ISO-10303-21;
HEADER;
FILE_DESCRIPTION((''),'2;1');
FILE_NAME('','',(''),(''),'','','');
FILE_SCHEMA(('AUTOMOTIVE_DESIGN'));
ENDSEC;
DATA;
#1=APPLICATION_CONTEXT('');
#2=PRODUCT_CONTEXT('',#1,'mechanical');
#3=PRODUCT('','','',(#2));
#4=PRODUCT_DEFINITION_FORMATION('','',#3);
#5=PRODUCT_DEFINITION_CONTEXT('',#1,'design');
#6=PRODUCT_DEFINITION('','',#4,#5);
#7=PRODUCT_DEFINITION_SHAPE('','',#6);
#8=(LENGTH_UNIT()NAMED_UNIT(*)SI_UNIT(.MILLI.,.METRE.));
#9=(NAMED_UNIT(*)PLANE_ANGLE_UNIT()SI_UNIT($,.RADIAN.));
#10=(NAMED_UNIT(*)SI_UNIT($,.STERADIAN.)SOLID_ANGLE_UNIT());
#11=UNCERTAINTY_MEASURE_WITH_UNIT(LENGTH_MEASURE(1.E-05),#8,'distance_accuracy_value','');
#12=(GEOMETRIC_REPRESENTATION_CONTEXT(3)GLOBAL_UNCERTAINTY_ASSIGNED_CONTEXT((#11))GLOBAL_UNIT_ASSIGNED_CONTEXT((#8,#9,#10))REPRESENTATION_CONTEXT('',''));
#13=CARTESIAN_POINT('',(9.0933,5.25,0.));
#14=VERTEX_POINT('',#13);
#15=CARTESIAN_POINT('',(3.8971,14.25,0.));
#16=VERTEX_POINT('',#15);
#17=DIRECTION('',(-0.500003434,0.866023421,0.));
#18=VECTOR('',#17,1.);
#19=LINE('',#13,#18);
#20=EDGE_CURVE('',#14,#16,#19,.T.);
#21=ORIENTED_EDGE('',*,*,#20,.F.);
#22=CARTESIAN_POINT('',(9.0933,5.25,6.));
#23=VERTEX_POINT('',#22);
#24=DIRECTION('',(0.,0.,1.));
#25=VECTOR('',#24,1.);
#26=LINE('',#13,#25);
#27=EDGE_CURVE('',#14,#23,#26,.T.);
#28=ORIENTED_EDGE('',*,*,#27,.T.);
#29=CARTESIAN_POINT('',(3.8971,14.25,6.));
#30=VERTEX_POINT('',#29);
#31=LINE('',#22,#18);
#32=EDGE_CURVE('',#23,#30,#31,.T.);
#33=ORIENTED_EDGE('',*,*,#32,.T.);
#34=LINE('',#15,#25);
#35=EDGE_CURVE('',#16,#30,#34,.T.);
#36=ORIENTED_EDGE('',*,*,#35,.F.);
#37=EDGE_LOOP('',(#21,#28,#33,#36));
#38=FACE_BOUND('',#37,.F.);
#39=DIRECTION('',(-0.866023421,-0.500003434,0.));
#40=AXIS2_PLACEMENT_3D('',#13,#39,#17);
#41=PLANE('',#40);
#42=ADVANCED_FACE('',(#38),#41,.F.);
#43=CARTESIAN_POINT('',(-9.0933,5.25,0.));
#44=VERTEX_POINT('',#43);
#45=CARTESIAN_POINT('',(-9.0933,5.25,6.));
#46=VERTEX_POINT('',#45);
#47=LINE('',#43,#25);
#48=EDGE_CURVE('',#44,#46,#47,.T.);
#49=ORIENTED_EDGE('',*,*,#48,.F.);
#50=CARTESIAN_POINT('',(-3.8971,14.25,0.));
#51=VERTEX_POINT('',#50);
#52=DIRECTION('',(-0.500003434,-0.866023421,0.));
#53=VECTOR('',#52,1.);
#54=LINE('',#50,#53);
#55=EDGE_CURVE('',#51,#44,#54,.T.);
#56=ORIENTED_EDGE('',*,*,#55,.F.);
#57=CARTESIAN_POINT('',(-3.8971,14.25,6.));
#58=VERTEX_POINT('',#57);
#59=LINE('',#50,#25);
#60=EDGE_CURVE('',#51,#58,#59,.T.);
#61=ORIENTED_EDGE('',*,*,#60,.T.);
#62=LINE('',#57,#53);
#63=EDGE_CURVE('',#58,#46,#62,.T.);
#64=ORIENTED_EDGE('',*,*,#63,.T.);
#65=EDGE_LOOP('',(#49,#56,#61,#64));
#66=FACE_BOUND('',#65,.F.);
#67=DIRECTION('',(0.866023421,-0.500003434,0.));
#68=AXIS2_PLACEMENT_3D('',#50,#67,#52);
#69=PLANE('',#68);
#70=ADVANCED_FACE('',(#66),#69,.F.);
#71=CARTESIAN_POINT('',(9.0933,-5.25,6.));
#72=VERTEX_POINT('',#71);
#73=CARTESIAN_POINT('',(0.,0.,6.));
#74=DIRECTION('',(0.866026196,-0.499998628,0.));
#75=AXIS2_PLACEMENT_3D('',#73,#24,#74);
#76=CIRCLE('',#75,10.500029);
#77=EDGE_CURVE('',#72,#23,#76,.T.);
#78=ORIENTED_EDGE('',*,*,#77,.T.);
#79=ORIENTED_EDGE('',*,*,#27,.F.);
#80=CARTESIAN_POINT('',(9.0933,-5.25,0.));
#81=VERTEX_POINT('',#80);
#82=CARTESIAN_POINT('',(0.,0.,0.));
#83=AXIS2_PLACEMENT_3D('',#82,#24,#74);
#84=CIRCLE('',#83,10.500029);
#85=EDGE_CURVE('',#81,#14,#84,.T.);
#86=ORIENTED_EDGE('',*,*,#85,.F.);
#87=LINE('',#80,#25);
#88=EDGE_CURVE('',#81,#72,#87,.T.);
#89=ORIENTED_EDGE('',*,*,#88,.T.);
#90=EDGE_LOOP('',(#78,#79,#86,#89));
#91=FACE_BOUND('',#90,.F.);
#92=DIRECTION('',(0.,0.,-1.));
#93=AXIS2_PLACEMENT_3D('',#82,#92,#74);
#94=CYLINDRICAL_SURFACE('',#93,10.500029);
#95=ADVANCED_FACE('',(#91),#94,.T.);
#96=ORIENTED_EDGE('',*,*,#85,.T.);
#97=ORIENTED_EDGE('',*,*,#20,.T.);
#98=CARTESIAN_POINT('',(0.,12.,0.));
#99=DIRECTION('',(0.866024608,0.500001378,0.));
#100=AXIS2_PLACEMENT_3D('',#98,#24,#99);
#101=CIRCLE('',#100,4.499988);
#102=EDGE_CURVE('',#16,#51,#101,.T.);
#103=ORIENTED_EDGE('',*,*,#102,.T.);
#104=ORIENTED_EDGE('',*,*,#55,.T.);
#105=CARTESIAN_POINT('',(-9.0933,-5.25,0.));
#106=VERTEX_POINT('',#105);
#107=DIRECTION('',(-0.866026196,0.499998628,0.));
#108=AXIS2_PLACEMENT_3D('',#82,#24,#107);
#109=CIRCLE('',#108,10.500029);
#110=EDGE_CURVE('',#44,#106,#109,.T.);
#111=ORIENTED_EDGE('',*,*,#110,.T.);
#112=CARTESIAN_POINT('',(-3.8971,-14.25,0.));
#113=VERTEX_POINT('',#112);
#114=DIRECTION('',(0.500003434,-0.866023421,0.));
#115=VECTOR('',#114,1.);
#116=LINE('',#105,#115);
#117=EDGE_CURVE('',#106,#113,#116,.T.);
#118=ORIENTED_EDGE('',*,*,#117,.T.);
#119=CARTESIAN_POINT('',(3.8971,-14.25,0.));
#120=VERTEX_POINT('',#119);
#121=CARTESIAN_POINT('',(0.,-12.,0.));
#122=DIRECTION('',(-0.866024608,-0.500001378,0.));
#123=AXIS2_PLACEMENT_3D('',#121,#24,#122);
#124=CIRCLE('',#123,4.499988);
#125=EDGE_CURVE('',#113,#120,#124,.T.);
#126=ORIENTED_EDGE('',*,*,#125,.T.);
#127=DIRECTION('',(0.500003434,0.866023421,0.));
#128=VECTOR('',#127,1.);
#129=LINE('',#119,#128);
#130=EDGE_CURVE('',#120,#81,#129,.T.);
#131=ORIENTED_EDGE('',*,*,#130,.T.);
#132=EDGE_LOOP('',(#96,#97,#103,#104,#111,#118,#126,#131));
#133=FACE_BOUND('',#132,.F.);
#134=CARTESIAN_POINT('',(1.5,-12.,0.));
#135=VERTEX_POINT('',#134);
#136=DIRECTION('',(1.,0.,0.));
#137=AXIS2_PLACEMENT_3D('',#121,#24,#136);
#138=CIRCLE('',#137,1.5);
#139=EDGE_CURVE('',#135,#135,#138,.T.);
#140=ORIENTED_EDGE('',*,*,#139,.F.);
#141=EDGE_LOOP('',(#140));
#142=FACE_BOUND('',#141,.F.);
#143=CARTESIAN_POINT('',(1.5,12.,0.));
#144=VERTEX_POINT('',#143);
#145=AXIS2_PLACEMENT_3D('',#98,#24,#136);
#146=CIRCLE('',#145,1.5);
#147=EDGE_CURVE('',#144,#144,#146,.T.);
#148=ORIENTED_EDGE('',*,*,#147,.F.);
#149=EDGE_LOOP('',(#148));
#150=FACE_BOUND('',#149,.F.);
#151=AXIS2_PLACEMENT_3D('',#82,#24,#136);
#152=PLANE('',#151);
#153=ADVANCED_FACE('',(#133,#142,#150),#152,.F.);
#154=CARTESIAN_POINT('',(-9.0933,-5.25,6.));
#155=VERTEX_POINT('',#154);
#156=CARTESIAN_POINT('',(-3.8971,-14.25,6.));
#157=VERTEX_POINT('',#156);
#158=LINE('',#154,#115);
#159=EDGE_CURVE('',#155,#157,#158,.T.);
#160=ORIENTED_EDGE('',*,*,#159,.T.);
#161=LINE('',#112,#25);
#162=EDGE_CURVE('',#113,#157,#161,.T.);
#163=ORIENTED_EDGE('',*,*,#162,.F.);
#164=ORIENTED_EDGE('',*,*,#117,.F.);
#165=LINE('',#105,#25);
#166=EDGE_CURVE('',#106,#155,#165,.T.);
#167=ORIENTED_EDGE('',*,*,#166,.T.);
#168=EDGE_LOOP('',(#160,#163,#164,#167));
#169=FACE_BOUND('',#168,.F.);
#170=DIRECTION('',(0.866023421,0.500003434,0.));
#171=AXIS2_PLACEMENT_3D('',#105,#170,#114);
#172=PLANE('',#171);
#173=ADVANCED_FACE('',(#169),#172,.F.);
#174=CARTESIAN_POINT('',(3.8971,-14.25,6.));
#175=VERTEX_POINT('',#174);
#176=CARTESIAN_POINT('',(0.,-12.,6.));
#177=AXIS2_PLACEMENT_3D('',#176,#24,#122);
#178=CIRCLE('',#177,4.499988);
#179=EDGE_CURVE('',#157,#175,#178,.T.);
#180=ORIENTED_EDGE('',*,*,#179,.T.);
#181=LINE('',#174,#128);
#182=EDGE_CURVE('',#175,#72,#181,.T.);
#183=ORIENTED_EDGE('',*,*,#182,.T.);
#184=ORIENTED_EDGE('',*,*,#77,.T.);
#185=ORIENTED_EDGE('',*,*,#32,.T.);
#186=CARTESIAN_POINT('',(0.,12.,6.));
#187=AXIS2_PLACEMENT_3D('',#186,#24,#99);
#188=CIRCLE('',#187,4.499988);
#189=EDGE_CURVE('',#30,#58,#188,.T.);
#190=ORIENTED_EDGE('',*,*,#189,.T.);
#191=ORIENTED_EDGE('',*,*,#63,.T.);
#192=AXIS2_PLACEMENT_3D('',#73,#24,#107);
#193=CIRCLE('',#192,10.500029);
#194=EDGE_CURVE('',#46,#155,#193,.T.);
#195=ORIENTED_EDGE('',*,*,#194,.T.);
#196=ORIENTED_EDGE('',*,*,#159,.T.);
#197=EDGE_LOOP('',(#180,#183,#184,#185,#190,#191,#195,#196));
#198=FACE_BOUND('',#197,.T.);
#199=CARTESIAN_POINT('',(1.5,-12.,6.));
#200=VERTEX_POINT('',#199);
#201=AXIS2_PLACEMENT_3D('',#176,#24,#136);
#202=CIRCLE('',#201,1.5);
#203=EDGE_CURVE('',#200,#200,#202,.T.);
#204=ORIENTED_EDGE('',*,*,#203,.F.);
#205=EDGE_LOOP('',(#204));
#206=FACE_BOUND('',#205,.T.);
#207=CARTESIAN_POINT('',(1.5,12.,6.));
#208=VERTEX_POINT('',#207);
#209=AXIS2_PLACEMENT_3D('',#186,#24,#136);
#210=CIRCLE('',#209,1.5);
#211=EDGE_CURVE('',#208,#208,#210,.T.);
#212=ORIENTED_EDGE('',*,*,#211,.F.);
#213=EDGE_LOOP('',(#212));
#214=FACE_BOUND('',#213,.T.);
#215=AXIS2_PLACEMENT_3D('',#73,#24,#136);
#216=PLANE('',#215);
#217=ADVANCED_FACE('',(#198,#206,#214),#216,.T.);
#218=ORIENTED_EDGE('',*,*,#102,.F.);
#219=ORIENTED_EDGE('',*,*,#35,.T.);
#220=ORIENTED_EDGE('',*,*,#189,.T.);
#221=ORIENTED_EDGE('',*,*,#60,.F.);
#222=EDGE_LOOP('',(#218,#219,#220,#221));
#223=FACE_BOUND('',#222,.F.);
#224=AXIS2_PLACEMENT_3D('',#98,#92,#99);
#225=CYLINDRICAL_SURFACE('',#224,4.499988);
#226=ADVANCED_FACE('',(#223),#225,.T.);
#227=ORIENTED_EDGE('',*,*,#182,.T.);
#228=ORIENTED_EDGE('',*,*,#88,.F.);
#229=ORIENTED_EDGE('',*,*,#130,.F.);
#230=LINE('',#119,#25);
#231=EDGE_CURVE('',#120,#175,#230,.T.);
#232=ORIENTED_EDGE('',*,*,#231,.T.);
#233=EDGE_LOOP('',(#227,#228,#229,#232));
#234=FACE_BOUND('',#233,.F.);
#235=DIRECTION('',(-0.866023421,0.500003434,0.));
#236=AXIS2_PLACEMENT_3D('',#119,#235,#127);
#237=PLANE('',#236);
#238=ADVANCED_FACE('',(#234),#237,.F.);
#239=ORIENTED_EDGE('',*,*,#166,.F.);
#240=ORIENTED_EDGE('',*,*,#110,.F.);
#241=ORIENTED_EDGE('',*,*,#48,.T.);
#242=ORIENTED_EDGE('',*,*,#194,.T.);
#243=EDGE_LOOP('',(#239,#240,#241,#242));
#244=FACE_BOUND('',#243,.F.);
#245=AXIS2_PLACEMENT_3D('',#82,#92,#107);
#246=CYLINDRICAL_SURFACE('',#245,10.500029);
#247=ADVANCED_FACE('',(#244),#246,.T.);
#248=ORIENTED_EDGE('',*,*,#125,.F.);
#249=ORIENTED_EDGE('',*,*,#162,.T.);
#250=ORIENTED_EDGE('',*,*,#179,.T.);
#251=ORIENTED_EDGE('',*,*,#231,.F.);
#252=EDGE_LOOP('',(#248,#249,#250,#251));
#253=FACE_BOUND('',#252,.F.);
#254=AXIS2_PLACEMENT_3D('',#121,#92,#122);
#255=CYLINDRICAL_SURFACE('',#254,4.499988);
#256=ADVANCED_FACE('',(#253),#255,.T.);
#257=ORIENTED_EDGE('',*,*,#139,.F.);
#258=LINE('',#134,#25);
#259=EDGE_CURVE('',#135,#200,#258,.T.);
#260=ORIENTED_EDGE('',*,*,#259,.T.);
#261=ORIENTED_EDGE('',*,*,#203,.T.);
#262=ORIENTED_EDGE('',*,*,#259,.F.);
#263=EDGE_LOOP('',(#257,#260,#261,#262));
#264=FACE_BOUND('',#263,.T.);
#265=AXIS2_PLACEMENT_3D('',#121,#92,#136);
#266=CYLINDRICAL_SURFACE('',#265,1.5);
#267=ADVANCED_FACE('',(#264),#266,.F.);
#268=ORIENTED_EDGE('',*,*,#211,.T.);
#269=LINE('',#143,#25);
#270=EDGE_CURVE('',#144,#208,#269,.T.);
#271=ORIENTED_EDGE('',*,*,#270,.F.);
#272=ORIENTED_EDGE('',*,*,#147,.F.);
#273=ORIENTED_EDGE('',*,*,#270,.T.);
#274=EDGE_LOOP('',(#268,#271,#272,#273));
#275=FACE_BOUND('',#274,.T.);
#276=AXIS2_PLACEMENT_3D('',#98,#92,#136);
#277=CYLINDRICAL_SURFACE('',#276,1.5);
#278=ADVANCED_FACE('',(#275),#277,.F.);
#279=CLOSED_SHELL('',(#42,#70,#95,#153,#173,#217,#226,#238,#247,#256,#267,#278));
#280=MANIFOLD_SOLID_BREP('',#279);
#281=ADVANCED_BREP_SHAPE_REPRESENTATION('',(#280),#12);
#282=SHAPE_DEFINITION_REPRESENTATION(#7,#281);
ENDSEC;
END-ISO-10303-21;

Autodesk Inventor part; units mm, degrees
ref_plane "YZ Plane" through (0, 0, 0) normal (1, 0, 0) x (0, 1, 0)
ref_plane "XZ Plane" through (0, 0, 0) normal (0, 1, 0) x (-1, 0, 0)
ref_plane "XY Plane" through (0, 0, 0) normal (0, 0, 1) x (1, 0, 0)
sketch "Sketch1" plane through (0, 0, 0) normal (0, 0, 1) x (1, 0, 0)
  circle A0 centre (0, -12) radius 1.5
  circle A1 centre (0, 12) radius 1.5
  line L0 (3.8971, -14.25) -> (9.0933, -5.25)
  arc A2 (9.0933, -5.25) -> (9.0933, 5.25) centre (0, 0) ccw
  line L1 (9.0933, 5.25) -> (3.8971, 14.25)
  arc A3 (3.8971, 14.25) -> (-3.8971, 14.25) centre (0, 12) ccw
  line L2 (-3.8971, 14.25) -> (-9.0933, 5.25)
  arc A4 (-9.0933, 5.25) -> (-9.0933, -5.25) centre (0, 0) ccw
  line L3 (-9.0933, -5.25) -> (-3.8971, -14.25)
  arc A5 (-3.8971, -14.25) -> (3.8971, -14.25) centre (0, -12) ccw
extrude "Extrusion1" add sketch "Sketch1" along normal blind 6
properties part number "shaftPlug"
